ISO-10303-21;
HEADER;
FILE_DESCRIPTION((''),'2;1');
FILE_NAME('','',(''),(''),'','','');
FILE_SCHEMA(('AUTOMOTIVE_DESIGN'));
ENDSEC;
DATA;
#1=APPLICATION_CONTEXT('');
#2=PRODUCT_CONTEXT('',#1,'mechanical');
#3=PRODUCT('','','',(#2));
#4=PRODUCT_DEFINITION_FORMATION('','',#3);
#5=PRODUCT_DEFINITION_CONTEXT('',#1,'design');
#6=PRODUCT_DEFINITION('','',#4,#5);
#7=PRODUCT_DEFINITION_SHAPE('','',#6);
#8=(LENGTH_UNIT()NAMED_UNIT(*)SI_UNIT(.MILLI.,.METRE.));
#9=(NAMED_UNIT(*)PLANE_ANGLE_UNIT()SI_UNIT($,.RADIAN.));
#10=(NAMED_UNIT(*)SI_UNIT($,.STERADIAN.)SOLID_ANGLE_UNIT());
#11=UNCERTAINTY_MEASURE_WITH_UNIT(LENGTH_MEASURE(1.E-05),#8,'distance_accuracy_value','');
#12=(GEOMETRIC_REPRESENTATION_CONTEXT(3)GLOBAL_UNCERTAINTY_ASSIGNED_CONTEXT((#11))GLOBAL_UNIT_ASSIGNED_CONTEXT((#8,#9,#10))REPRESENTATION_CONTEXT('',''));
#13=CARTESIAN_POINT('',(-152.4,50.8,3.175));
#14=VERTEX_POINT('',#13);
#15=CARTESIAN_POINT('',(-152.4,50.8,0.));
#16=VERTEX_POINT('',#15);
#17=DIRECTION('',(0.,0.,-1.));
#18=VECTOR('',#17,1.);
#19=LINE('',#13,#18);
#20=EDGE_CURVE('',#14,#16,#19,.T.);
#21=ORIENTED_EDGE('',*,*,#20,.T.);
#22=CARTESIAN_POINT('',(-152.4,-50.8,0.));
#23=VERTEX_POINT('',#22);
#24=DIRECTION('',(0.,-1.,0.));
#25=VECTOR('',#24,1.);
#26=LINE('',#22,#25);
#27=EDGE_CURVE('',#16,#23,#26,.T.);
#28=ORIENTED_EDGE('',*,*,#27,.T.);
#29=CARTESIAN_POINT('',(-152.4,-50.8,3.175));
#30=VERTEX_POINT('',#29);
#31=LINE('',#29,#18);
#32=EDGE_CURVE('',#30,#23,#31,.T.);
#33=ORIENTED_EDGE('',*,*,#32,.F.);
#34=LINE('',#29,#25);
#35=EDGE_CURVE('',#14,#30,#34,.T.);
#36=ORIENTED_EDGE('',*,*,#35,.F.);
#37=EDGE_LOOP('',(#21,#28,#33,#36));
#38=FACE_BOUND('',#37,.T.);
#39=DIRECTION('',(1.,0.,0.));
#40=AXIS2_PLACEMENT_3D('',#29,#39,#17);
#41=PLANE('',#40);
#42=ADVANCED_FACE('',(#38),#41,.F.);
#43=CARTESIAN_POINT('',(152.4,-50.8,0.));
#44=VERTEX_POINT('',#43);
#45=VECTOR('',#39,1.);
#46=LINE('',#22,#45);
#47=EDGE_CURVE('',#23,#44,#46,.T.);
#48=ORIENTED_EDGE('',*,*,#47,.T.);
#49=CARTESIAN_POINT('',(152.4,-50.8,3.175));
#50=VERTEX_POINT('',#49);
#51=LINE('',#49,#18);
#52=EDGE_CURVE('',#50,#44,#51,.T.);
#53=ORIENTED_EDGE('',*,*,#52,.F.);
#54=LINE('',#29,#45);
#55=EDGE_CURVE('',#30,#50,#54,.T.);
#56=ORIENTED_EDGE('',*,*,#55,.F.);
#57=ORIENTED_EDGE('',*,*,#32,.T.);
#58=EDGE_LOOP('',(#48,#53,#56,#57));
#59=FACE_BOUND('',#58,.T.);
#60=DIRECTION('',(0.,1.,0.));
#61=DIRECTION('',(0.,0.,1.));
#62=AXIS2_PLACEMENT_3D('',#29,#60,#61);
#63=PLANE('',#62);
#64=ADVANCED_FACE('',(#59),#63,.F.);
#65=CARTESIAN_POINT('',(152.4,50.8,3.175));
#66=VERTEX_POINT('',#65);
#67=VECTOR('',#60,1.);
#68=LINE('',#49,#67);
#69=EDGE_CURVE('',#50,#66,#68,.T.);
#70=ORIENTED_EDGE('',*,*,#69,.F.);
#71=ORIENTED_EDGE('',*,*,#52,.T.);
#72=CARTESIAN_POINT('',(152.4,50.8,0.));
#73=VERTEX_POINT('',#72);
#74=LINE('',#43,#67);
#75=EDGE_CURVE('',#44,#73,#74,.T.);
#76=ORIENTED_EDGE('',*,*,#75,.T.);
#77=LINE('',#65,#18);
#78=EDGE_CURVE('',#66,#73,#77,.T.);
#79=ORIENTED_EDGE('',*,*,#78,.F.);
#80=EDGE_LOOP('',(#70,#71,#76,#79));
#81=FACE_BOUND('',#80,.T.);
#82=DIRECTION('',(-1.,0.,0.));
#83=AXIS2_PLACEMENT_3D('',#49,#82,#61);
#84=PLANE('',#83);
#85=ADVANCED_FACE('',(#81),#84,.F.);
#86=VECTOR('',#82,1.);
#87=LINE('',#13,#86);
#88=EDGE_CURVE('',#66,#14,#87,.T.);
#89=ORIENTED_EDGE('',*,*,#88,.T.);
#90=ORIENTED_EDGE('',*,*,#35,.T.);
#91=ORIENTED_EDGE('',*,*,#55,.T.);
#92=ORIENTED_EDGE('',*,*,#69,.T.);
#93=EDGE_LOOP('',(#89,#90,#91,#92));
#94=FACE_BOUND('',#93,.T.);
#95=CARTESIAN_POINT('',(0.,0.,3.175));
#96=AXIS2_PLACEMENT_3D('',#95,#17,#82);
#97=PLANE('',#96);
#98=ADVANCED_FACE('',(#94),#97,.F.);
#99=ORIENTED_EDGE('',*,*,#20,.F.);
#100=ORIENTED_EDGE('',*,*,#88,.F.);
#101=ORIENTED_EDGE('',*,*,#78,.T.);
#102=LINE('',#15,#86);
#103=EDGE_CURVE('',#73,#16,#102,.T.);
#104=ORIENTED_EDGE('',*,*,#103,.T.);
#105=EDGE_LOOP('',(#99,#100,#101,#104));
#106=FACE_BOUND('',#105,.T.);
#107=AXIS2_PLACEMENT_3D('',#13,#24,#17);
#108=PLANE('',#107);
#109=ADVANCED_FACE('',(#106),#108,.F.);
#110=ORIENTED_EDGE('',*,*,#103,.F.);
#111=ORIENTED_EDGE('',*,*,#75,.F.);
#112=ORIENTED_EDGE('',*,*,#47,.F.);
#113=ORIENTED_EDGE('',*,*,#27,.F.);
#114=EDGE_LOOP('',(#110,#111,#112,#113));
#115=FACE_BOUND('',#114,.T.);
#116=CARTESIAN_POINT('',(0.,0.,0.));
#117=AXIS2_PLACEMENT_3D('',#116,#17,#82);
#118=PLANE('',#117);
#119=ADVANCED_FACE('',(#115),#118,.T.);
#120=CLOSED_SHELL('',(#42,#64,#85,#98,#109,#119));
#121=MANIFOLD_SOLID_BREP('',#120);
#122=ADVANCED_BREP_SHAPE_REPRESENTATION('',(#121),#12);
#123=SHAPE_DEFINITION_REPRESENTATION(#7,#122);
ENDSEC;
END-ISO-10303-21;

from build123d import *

# Parameters (mm, degrees)
SKETCH1_W           = 304.8
SKETCH1_H           = 101.6
BOSS_EXTRUDE1_DEPTH = 3.175


with BuildPart() as part:
    # Sketch1 → Boss-Extrude1 (new body)
    with BuildSketch(Plane.XY):
        Rectangle(SKETCH1_W, SKETCH1_H)
    extrude(amount=BOSS_EXTRUDE1_DEPTH)


solid = part.part
